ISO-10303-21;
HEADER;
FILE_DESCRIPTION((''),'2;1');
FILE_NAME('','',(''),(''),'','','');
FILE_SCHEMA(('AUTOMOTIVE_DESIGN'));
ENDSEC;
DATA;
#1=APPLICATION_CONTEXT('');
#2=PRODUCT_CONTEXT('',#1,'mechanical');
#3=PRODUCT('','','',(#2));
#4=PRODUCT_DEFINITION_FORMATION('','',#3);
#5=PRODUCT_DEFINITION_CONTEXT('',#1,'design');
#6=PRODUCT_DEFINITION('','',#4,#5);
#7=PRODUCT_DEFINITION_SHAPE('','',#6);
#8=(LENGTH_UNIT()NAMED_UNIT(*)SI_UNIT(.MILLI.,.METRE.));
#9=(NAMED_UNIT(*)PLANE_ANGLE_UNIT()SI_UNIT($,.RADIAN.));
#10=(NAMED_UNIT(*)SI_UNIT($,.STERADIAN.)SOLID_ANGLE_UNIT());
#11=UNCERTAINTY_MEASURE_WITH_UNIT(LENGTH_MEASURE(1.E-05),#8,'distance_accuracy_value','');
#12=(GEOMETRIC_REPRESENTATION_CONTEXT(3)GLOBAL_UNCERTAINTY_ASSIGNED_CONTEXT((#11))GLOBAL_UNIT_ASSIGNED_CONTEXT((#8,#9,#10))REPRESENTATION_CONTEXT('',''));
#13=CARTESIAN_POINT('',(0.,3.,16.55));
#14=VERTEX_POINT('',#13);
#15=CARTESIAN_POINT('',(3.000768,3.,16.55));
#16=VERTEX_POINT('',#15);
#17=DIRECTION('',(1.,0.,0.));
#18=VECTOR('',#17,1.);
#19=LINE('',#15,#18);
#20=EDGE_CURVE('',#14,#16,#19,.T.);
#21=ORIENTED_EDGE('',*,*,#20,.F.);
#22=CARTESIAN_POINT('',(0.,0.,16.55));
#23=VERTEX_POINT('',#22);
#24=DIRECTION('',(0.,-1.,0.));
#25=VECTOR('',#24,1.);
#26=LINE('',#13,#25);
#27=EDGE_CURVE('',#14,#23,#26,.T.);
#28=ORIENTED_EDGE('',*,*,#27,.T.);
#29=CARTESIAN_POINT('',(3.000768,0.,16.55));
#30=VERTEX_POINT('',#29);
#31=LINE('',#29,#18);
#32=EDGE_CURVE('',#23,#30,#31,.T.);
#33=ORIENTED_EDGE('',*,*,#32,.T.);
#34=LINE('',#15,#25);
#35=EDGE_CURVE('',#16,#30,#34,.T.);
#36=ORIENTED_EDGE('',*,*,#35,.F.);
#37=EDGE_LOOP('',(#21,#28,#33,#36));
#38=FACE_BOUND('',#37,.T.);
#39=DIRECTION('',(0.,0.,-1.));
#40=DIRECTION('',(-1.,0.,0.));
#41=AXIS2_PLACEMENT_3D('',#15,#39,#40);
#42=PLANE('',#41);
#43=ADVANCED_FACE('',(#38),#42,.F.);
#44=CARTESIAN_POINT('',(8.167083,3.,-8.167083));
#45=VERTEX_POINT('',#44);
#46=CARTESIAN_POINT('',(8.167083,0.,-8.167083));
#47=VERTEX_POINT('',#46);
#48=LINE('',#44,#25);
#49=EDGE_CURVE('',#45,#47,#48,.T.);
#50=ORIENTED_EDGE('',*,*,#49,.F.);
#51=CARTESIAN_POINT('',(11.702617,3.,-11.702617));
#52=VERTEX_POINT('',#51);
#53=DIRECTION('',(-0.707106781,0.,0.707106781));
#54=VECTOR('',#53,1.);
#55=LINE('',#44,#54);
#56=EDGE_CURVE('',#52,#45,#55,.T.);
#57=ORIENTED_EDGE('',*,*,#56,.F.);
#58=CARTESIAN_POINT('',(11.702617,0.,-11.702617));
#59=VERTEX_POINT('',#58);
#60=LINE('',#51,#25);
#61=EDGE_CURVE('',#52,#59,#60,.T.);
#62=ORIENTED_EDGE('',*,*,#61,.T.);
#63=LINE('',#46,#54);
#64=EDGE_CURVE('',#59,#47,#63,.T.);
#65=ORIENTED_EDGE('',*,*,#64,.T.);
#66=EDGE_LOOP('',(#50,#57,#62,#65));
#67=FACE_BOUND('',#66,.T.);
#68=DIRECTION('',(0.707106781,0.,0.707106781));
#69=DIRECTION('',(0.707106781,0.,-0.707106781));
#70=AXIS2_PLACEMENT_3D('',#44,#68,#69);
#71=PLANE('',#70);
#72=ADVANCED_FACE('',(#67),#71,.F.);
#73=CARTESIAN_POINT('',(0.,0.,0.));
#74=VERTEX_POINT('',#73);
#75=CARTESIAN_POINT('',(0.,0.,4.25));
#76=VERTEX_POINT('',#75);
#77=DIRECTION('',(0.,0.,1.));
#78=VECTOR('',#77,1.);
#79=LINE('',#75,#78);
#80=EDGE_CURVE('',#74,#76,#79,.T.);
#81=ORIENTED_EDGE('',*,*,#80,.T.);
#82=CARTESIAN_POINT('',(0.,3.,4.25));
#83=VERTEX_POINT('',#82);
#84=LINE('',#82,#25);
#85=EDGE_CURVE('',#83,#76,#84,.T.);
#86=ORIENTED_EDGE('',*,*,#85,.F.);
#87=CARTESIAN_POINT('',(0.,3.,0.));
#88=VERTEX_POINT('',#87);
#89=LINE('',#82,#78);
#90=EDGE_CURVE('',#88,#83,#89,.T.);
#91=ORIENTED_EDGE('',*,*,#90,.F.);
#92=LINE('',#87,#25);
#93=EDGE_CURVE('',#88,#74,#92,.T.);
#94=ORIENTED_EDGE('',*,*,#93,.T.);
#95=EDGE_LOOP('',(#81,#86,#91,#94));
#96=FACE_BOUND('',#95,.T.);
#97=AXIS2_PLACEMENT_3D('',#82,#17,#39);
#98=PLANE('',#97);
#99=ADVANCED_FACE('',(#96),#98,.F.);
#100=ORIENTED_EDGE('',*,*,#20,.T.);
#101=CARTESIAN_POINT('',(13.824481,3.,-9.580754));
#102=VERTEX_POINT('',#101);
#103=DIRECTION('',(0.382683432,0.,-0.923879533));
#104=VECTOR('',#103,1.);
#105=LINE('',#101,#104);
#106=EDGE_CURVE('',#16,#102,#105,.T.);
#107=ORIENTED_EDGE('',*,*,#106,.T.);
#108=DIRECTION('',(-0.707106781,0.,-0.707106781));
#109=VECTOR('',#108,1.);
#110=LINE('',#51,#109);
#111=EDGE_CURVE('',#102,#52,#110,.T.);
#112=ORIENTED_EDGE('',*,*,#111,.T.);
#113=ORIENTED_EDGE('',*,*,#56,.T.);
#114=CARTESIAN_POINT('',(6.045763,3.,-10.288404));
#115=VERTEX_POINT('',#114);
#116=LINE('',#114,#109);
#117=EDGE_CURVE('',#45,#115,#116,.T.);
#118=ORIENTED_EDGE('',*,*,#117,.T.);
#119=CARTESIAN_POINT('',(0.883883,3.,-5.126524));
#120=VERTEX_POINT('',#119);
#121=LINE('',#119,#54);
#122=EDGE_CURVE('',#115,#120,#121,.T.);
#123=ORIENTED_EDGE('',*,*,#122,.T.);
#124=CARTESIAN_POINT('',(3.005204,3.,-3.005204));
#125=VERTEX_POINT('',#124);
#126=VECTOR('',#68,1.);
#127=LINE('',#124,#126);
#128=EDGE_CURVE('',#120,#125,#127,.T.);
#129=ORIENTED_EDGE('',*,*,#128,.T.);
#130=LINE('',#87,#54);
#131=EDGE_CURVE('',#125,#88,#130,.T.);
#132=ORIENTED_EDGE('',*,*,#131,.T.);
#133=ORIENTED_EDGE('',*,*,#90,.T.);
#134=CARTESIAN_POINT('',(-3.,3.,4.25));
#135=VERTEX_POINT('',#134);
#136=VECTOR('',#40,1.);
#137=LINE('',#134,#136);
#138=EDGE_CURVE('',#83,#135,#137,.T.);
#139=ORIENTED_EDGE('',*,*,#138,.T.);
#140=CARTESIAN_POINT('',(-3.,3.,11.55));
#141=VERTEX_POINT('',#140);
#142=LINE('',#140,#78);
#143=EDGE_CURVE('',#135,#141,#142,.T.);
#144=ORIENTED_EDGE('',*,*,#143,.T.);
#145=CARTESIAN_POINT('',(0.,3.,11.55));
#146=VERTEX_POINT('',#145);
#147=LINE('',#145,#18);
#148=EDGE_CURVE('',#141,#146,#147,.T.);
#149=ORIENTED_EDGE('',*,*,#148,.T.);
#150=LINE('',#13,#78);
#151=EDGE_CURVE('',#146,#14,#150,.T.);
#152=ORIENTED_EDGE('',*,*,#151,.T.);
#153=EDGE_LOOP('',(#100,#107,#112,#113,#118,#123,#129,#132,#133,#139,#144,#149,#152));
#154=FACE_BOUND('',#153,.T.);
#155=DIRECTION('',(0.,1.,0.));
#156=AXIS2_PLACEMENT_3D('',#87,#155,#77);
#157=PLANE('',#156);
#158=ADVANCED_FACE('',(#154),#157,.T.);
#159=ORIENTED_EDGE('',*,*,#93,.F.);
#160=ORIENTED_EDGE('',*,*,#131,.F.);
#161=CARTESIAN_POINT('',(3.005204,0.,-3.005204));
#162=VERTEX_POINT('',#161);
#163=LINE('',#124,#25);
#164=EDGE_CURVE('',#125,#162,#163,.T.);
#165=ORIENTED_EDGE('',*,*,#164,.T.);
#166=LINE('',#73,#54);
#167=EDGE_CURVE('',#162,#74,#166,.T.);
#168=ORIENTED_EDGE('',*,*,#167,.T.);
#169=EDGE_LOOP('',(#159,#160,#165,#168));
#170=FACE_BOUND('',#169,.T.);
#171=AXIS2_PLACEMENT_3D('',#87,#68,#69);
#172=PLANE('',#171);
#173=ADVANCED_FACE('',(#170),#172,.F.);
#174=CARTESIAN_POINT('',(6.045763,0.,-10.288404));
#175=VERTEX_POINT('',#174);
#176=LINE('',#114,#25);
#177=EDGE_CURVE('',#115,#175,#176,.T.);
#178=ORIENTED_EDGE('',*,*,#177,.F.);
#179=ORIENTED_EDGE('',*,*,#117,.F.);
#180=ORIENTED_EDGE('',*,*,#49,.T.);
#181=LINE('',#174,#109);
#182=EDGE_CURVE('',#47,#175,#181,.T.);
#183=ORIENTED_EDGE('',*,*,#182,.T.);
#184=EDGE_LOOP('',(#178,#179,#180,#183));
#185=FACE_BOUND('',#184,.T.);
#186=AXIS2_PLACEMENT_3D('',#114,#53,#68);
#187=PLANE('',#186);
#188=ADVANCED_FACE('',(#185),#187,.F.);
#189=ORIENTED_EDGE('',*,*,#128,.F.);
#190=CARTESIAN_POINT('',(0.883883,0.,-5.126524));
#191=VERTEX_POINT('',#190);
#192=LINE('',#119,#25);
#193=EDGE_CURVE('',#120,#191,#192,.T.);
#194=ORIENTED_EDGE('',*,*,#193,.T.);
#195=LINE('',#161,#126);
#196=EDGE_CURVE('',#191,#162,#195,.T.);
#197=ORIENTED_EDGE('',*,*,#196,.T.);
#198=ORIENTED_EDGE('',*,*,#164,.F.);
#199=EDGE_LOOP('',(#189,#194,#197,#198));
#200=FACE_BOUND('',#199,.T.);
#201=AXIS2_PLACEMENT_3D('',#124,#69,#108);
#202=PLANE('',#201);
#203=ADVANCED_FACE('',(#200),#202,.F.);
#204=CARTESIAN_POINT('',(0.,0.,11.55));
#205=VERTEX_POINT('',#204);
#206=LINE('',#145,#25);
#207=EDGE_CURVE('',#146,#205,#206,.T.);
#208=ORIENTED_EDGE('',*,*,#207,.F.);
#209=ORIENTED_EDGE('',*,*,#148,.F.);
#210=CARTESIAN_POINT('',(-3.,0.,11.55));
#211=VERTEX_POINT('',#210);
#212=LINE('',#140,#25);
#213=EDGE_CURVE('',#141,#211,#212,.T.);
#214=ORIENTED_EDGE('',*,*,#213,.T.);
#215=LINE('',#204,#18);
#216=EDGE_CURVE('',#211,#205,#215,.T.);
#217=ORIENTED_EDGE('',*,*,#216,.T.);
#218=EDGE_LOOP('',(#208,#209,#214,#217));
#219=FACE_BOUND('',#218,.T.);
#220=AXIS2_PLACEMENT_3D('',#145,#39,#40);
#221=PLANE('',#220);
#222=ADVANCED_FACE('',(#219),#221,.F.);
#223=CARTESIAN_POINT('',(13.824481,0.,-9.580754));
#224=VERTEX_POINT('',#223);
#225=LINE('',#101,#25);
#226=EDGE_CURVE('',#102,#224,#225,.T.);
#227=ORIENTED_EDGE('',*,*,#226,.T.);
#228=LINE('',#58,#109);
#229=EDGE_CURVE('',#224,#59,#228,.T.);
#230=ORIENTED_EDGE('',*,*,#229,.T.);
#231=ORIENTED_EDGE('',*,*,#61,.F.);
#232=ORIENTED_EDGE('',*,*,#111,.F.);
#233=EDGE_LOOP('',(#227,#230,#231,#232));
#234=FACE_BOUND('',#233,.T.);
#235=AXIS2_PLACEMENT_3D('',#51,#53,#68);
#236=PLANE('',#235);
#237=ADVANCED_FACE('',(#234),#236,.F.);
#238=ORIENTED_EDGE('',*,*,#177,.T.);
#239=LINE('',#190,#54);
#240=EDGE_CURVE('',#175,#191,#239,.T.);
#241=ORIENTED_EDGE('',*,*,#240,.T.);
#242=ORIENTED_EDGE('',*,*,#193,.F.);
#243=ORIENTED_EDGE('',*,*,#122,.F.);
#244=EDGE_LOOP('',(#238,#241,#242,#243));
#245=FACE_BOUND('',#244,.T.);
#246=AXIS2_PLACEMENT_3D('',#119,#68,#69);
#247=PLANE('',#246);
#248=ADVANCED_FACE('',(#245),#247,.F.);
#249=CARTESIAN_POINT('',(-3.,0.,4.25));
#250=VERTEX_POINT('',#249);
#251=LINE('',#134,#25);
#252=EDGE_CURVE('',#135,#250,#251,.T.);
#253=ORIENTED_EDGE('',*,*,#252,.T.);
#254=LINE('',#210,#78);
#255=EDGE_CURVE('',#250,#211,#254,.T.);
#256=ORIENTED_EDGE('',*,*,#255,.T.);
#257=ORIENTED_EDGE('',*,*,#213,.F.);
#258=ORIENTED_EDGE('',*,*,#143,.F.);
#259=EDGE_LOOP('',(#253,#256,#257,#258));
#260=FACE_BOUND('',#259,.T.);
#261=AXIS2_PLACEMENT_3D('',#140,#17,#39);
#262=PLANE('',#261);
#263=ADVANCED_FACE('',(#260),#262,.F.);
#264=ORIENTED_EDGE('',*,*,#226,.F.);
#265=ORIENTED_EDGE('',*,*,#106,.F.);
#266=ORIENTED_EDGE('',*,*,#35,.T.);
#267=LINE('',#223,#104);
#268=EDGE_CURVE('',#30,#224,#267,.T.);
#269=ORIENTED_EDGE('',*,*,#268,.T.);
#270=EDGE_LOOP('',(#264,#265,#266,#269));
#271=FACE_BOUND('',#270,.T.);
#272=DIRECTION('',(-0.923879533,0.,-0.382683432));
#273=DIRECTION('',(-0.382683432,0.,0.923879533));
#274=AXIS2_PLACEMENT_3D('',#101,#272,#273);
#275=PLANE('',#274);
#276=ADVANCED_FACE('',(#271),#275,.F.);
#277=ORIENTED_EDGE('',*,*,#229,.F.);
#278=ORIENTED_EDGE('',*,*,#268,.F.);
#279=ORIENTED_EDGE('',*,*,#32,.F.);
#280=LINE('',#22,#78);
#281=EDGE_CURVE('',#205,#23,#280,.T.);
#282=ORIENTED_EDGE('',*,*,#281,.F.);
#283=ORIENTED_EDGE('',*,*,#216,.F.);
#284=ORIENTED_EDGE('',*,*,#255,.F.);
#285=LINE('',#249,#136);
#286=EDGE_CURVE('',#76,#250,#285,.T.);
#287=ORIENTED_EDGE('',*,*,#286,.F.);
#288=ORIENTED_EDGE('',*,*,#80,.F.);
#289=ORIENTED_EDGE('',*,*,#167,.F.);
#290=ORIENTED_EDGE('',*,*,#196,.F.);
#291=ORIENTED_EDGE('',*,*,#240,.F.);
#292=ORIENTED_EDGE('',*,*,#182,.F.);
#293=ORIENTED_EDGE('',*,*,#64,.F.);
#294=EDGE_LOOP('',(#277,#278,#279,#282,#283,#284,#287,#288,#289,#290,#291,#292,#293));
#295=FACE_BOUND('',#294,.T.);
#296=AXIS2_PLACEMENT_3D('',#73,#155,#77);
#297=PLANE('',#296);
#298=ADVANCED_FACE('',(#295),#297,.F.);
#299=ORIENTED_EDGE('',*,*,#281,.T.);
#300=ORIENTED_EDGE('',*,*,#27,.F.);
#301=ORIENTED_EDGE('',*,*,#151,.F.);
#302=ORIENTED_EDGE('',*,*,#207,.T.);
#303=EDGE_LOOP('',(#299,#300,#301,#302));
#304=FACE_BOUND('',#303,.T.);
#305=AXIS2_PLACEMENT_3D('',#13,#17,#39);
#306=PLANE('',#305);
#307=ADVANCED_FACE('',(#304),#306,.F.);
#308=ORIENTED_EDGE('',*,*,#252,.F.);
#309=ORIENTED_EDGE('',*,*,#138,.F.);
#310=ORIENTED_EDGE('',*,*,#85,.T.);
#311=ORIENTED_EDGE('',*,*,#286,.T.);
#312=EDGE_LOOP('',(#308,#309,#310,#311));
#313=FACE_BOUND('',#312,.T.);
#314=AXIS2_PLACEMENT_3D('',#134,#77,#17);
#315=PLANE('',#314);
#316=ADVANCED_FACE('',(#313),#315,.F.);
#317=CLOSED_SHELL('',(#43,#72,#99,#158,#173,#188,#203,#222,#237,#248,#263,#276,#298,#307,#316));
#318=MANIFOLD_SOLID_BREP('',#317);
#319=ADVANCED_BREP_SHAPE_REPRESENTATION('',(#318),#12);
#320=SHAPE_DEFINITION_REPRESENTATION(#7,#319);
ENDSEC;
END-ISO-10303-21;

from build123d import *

# Parameters (mm, degrees)
BOSS_EXTRU_1_DEPTH = 3


with BuildPart() as part:
    # Esquisse1 → Boss.-Extru.1 (new body)
    with BuildSketch(Plane(origin=(0, 0, 0), x_dir=(1, 0, 0), z_dir=(0, 1, 0))):
        Polygon((13.824480607, 9.580753851), (3.000767967, -16.55), (0, -16.55), (0, -11.55), (-3, -11.55), (-3, -4.25), (0, -4.25), (0, 0), (3.00520382, 3.00520382), (0.883883476, 5.126524164), (6.045762979, 10.288403666), (8.167083323, 8.167083323), (11.702617229, 11.702617229), align=None)
    extrude(amount=BOSS_EXTRU_1_DEPTH)


solid = part.part
